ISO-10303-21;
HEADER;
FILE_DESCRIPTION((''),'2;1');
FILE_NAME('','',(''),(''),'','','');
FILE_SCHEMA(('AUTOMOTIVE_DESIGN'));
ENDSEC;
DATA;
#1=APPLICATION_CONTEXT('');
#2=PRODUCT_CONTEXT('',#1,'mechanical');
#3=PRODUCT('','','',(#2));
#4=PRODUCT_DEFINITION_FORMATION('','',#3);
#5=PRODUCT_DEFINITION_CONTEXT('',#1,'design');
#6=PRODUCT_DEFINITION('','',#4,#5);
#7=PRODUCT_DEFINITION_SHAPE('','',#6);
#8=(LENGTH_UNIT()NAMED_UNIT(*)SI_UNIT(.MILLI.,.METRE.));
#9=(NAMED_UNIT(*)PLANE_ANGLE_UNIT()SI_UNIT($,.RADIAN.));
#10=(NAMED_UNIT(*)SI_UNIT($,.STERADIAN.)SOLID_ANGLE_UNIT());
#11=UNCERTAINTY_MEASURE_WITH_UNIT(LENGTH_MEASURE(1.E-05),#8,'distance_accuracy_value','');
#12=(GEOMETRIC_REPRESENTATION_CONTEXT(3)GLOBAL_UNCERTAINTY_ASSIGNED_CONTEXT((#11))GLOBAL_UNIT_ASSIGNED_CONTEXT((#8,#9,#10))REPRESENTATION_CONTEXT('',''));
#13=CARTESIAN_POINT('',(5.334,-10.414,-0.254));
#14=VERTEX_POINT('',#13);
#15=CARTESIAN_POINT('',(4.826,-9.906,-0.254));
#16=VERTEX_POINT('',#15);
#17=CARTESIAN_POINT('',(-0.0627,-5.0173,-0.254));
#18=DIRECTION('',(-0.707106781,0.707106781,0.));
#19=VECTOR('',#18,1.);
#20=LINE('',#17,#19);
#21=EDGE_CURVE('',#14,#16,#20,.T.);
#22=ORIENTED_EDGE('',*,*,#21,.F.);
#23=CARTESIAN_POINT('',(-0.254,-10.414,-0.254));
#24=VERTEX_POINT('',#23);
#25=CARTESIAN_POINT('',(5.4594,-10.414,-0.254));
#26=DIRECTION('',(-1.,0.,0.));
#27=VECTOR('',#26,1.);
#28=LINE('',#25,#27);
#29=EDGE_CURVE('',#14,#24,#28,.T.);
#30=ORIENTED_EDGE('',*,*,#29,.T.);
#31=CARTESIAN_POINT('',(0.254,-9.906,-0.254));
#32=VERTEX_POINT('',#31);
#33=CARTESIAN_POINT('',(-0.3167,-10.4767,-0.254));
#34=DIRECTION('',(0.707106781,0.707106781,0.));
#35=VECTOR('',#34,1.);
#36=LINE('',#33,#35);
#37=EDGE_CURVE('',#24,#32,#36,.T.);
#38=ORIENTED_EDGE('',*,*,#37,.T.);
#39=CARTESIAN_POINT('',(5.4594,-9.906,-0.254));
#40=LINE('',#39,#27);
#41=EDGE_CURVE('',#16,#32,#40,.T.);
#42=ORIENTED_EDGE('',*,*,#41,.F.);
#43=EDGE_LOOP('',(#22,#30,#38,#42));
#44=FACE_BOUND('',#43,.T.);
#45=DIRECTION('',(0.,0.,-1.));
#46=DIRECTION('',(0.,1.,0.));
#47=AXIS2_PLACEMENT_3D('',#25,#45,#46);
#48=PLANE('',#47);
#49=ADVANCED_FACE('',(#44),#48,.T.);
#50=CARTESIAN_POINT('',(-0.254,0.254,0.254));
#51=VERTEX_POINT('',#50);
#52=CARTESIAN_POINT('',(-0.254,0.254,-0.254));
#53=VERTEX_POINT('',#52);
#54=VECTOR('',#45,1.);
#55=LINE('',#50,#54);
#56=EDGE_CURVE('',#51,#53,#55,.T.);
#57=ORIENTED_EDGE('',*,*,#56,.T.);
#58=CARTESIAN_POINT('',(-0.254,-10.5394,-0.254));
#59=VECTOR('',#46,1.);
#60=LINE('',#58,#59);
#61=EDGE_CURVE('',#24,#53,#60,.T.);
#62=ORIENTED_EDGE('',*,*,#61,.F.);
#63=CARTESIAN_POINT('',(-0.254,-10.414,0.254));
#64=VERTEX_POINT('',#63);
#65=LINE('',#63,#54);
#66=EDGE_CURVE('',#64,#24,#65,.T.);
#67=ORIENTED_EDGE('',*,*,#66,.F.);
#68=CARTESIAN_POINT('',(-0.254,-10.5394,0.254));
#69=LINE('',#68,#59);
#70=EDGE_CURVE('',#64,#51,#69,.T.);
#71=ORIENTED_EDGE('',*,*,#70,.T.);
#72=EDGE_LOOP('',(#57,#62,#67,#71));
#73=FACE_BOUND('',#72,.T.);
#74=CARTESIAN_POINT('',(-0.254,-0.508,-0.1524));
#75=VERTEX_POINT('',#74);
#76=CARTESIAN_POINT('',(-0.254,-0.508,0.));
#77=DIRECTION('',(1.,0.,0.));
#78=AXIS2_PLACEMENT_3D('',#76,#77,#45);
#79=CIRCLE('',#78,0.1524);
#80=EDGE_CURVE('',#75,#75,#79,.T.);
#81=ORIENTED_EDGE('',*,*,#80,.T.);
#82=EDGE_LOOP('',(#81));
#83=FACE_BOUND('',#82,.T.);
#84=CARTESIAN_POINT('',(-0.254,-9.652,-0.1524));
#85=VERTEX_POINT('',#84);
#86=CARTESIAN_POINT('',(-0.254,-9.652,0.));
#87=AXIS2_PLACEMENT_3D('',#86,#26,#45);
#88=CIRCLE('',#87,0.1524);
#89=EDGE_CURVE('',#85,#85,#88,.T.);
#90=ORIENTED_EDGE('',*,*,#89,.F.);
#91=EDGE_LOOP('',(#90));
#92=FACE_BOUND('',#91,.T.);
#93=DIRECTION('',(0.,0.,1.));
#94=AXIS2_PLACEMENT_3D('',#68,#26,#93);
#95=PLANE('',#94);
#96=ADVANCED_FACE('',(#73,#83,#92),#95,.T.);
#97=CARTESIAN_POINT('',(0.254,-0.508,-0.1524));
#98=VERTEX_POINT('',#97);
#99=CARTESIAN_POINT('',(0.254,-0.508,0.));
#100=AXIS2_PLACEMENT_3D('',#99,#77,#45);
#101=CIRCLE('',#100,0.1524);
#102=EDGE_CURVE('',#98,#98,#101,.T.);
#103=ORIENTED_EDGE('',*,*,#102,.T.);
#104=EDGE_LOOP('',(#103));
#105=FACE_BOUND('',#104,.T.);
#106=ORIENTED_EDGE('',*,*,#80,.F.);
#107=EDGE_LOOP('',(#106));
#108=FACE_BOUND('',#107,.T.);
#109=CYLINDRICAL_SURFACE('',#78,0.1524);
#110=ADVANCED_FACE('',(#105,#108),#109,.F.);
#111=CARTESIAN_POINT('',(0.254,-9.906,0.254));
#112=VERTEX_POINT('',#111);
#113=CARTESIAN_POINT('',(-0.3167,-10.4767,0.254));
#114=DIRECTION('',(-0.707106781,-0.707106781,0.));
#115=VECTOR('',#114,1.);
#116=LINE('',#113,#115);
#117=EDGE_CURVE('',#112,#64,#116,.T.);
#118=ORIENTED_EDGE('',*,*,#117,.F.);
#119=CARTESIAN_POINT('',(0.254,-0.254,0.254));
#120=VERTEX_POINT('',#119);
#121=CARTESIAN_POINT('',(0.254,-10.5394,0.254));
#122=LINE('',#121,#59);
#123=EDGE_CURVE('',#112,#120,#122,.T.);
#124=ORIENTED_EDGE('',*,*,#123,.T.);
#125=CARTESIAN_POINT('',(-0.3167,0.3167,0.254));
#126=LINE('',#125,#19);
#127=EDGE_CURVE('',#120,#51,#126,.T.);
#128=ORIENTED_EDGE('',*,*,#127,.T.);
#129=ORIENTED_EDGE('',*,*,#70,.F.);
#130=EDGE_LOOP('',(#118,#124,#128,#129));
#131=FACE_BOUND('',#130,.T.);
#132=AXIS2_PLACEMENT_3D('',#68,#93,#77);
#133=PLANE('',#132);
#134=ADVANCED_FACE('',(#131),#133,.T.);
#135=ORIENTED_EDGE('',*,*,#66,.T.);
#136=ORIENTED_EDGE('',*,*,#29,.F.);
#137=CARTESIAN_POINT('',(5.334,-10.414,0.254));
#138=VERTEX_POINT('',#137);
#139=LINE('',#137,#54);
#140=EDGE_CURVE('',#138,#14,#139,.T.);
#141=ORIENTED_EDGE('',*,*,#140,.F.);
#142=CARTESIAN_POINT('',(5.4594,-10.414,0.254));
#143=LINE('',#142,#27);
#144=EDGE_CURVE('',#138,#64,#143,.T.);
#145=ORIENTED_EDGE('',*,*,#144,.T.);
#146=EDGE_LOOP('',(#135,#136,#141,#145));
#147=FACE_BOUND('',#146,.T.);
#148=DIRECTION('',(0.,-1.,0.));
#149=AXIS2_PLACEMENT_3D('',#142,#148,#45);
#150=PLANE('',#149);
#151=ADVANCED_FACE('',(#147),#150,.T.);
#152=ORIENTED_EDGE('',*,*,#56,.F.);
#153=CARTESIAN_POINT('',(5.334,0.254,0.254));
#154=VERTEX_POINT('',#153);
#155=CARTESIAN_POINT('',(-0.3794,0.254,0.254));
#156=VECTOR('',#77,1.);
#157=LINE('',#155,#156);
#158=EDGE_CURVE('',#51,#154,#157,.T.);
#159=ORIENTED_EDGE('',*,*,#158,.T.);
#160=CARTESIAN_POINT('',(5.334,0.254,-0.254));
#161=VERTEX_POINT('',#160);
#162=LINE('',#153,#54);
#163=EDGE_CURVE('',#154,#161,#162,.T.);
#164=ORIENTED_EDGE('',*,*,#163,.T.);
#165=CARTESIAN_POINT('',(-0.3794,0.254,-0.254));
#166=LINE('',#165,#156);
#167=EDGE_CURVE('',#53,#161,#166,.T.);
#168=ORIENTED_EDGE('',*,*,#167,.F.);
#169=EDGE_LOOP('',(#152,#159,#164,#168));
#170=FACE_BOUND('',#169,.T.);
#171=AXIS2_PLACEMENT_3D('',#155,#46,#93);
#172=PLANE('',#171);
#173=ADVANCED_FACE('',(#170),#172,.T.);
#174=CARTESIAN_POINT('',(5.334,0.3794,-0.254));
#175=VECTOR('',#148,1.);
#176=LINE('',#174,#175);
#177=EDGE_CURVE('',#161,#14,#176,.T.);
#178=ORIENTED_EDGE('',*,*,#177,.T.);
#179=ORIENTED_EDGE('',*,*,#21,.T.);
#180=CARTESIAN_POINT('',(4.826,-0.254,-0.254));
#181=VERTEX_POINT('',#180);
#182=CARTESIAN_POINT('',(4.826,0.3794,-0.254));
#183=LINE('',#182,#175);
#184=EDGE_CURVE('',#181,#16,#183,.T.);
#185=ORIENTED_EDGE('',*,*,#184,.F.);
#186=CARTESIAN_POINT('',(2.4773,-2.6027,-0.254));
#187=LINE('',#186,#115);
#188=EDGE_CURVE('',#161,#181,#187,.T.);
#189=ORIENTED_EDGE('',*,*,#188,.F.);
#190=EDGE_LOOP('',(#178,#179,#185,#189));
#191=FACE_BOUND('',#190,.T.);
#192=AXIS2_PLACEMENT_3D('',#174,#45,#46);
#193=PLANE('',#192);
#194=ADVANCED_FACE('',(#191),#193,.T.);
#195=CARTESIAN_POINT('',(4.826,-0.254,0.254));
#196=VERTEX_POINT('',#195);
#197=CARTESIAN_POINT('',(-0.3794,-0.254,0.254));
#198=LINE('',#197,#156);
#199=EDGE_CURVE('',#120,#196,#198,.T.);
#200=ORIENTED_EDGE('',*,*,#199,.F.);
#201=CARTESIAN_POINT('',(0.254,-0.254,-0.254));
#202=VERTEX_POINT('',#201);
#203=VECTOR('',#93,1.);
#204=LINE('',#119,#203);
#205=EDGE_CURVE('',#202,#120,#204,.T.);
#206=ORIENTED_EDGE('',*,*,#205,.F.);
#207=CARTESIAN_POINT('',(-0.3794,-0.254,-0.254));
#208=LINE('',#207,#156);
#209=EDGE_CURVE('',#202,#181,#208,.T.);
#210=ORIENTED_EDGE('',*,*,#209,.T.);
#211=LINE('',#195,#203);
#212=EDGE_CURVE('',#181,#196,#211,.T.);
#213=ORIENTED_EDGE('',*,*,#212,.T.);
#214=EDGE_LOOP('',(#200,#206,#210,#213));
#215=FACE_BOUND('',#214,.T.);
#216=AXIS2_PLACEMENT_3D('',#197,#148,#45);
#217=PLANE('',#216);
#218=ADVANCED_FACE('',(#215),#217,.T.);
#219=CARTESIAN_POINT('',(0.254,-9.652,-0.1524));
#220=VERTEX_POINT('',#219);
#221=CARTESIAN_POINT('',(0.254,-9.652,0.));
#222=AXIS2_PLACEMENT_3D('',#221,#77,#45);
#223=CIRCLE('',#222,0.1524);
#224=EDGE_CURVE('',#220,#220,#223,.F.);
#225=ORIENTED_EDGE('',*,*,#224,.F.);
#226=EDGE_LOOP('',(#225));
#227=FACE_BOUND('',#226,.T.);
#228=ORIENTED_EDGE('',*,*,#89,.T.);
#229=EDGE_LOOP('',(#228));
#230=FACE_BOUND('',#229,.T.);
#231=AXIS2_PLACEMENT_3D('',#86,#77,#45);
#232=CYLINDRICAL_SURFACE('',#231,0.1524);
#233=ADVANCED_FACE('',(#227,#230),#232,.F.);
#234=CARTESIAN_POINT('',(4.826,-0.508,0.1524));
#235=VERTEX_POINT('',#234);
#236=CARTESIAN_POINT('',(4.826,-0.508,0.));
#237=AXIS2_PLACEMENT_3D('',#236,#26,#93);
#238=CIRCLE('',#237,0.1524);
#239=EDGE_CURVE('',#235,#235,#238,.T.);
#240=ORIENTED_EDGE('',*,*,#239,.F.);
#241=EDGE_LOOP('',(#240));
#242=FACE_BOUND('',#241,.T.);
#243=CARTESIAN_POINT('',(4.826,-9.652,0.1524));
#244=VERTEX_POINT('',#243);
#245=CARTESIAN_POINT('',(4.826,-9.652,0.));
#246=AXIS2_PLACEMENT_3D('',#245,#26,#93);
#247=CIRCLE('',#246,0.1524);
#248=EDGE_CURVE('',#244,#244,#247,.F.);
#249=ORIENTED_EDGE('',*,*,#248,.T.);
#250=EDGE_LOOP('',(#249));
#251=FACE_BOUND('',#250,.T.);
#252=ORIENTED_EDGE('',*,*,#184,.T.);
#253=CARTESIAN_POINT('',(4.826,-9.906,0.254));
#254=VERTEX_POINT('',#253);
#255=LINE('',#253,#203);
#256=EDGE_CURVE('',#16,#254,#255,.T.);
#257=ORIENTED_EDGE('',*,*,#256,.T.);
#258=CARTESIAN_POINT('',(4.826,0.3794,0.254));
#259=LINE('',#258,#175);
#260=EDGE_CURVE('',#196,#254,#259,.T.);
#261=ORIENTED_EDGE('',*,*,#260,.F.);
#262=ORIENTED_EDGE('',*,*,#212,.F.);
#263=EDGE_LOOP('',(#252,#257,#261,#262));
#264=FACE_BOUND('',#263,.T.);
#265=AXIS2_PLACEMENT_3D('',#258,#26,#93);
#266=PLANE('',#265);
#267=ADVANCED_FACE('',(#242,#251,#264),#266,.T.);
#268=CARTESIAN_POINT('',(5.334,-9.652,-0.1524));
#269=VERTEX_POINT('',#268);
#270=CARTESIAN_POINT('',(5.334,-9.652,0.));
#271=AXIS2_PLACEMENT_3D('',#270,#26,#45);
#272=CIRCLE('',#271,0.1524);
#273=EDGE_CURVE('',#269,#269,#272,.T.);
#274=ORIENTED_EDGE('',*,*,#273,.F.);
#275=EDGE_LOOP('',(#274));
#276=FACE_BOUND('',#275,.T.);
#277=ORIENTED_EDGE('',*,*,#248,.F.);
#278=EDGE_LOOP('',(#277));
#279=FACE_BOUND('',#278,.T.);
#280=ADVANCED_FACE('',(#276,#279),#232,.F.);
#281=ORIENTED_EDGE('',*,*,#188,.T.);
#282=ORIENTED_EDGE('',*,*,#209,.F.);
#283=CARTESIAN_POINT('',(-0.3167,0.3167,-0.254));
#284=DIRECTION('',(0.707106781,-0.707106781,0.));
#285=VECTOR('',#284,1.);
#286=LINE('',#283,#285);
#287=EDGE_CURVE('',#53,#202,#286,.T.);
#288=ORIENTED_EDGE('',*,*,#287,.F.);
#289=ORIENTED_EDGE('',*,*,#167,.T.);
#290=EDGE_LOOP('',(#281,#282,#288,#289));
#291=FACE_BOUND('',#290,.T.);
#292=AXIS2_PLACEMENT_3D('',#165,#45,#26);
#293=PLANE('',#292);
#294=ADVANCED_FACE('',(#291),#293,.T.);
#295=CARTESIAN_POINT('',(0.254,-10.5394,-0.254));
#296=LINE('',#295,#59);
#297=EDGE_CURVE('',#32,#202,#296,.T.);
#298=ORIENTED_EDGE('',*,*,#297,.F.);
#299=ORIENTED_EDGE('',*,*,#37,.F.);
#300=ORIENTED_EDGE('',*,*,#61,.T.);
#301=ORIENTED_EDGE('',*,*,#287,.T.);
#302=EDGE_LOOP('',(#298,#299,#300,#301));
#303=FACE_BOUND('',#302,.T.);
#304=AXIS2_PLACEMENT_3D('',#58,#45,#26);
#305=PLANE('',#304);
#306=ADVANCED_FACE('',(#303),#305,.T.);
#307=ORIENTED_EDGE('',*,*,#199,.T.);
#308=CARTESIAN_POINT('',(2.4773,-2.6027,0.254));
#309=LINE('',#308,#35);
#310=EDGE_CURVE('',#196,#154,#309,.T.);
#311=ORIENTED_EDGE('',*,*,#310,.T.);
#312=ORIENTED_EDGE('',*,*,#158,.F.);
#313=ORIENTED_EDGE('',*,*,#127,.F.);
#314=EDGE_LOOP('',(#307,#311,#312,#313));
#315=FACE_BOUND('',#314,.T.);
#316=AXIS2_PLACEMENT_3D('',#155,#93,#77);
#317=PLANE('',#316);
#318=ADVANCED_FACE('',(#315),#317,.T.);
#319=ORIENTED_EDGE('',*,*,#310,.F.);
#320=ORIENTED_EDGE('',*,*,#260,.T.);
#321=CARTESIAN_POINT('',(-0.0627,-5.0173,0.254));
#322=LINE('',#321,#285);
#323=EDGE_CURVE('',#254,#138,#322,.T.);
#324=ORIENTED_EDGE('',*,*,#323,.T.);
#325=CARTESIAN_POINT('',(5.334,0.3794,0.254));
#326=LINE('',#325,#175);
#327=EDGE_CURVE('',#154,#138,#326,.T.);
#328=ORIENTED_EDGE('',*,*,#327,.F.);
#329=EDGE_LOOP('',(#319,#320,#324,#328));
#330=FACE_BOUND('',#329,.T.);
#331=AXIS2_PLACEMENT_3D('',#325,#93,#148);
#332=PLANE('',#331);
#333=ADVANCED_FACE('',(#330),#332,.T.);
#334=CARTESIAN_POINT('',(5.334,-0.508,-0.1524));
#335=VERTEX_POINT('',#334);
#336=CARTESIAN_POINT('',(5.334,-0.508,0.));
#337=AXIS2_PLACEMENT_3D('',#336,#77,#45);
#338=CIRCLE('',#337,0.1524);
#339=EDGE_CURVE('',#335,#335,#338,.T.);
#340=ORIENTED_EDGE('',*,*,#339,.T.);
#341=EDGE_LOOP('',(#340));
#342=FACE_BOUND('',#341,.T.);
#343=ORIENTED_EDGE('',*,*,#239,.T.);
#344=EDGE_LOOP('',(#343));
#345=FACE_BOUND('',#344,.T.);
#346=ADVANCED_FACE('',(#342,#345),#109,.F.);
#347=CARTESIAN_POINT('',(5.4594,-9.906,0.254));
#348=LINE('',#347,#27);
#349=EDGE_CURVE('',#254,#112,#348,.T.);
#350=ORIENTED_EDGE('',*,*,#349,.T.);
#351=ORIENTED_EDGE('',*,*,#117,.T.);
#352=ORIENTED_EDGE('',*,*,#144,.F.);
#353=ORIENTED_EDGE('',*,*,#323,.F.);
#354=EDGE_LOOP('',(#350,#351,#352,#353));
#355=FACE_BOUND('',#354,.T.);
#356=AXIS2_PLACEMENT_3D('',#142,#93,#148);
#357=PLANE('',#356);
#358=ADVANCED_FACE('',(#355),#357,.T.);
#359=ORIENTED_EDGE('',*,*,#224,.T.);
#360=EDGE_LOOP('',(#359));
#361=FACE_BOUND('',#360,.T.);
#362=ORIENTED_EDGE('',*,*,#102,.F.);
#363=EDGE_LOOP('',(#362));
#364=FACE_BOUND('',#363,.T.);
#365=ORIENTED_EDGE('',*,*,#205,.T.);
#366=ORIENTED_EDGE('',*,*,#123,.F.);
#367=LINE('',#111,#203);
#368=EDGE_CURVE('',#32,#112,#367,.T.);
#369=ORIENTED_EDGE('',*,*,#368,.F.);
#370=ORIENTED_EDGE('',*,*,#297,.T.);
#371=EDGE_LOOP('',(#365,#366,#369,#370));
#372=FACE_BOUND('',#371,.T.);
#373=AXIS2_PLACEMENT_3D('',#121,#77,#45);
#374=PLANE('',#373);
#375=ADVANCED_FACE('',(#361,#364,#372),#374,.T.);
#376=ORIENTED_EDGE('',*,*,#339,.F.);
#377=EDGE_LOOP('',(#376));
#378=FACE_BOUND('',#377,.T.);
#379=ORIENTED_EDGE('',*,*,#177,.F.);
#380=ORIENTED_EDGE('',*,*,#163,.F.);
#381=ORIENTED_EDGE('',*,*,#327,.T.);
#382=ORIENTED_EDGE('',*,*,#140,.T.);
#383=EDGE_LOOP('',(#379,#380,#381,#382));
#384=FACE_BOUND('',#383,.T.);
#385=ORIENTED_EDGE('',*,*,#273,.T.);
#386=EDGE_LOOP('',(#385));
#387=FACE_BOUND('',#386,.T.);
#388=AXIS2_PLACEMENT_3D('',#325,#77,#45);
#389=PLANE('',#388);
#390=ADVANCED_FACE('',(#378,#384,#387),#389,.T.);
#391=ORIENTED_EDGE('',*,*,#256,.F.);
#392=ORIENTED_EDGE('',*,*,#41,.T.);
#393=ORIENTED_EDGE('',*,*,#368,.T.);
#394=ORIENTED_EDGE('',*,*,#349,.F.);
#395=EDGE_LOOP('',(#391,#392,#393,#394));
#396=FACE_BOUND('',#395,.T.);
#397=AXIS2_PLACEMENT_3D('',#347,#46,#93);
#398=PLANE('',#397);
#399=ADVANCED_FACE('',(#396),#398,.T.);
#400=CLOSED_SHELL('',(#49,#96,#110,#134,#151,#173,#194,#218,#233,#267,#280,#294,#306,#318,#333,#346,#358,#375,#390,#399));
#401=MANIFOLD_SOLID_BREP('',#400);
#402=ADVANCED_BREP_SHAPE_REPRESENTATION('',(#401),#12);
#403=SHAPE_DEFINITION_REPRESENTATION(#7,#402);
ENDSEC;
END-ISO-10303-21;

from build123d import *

# Parameters (mm, degrees)
SKETCH1_W          = 0.508
SKETCH1_H          = 0.508
SKETCH2_R          = 0.1524
CUT_EXTRUDE1_DEPTH = 12.821237499


with BuildPart() as part:
    # Sweep1: sweep along a curve in space
    with BuildLine() as sweep1_path:
        Line((0, 0, 0), (5.08, 0, 0))
        Line((5.08, 0, 0), (5.08, -10.16, 0))
        Line((5.08, -10.16, 0), (0, -10.16, 0))
        Line((0, -10.16, 0), (0, 0, 0))
    # Sketch1 → Sweep1 (sweep)
    with BuildSketch(Plane(origin=(0, 0, 0), x_dir=(0, 0, -1), z_dir=(1, 0, 0))):
        Rectangle(SKETCH1_W, SKETCH1_H)
    sweep(path=sweep1_path.line, transition=Transition.RIGHT)

    # Sketch2 → Cut-Extrude1 (cut, through all)
    with BuildSketch(Plane(origin=(5.334, 0, 0), x_dir=(0, 0, -1), z_dir=(1, 0, 0))):
        with Locations((0, -0.508)):
            Circle(SKETCH2_R)
    cut_extrude1 = extrude(amount=-CUT_EXTRUDE1_DEPTH, mode=Mode.SUBTRACT)

    # Mirror1: Cut-Extrude1 across plane
    add(cut_extrude1.mirror(Plane.ZX.offset(-5.08)), mode=Mode.SUBTRACT)


solid = part.part
